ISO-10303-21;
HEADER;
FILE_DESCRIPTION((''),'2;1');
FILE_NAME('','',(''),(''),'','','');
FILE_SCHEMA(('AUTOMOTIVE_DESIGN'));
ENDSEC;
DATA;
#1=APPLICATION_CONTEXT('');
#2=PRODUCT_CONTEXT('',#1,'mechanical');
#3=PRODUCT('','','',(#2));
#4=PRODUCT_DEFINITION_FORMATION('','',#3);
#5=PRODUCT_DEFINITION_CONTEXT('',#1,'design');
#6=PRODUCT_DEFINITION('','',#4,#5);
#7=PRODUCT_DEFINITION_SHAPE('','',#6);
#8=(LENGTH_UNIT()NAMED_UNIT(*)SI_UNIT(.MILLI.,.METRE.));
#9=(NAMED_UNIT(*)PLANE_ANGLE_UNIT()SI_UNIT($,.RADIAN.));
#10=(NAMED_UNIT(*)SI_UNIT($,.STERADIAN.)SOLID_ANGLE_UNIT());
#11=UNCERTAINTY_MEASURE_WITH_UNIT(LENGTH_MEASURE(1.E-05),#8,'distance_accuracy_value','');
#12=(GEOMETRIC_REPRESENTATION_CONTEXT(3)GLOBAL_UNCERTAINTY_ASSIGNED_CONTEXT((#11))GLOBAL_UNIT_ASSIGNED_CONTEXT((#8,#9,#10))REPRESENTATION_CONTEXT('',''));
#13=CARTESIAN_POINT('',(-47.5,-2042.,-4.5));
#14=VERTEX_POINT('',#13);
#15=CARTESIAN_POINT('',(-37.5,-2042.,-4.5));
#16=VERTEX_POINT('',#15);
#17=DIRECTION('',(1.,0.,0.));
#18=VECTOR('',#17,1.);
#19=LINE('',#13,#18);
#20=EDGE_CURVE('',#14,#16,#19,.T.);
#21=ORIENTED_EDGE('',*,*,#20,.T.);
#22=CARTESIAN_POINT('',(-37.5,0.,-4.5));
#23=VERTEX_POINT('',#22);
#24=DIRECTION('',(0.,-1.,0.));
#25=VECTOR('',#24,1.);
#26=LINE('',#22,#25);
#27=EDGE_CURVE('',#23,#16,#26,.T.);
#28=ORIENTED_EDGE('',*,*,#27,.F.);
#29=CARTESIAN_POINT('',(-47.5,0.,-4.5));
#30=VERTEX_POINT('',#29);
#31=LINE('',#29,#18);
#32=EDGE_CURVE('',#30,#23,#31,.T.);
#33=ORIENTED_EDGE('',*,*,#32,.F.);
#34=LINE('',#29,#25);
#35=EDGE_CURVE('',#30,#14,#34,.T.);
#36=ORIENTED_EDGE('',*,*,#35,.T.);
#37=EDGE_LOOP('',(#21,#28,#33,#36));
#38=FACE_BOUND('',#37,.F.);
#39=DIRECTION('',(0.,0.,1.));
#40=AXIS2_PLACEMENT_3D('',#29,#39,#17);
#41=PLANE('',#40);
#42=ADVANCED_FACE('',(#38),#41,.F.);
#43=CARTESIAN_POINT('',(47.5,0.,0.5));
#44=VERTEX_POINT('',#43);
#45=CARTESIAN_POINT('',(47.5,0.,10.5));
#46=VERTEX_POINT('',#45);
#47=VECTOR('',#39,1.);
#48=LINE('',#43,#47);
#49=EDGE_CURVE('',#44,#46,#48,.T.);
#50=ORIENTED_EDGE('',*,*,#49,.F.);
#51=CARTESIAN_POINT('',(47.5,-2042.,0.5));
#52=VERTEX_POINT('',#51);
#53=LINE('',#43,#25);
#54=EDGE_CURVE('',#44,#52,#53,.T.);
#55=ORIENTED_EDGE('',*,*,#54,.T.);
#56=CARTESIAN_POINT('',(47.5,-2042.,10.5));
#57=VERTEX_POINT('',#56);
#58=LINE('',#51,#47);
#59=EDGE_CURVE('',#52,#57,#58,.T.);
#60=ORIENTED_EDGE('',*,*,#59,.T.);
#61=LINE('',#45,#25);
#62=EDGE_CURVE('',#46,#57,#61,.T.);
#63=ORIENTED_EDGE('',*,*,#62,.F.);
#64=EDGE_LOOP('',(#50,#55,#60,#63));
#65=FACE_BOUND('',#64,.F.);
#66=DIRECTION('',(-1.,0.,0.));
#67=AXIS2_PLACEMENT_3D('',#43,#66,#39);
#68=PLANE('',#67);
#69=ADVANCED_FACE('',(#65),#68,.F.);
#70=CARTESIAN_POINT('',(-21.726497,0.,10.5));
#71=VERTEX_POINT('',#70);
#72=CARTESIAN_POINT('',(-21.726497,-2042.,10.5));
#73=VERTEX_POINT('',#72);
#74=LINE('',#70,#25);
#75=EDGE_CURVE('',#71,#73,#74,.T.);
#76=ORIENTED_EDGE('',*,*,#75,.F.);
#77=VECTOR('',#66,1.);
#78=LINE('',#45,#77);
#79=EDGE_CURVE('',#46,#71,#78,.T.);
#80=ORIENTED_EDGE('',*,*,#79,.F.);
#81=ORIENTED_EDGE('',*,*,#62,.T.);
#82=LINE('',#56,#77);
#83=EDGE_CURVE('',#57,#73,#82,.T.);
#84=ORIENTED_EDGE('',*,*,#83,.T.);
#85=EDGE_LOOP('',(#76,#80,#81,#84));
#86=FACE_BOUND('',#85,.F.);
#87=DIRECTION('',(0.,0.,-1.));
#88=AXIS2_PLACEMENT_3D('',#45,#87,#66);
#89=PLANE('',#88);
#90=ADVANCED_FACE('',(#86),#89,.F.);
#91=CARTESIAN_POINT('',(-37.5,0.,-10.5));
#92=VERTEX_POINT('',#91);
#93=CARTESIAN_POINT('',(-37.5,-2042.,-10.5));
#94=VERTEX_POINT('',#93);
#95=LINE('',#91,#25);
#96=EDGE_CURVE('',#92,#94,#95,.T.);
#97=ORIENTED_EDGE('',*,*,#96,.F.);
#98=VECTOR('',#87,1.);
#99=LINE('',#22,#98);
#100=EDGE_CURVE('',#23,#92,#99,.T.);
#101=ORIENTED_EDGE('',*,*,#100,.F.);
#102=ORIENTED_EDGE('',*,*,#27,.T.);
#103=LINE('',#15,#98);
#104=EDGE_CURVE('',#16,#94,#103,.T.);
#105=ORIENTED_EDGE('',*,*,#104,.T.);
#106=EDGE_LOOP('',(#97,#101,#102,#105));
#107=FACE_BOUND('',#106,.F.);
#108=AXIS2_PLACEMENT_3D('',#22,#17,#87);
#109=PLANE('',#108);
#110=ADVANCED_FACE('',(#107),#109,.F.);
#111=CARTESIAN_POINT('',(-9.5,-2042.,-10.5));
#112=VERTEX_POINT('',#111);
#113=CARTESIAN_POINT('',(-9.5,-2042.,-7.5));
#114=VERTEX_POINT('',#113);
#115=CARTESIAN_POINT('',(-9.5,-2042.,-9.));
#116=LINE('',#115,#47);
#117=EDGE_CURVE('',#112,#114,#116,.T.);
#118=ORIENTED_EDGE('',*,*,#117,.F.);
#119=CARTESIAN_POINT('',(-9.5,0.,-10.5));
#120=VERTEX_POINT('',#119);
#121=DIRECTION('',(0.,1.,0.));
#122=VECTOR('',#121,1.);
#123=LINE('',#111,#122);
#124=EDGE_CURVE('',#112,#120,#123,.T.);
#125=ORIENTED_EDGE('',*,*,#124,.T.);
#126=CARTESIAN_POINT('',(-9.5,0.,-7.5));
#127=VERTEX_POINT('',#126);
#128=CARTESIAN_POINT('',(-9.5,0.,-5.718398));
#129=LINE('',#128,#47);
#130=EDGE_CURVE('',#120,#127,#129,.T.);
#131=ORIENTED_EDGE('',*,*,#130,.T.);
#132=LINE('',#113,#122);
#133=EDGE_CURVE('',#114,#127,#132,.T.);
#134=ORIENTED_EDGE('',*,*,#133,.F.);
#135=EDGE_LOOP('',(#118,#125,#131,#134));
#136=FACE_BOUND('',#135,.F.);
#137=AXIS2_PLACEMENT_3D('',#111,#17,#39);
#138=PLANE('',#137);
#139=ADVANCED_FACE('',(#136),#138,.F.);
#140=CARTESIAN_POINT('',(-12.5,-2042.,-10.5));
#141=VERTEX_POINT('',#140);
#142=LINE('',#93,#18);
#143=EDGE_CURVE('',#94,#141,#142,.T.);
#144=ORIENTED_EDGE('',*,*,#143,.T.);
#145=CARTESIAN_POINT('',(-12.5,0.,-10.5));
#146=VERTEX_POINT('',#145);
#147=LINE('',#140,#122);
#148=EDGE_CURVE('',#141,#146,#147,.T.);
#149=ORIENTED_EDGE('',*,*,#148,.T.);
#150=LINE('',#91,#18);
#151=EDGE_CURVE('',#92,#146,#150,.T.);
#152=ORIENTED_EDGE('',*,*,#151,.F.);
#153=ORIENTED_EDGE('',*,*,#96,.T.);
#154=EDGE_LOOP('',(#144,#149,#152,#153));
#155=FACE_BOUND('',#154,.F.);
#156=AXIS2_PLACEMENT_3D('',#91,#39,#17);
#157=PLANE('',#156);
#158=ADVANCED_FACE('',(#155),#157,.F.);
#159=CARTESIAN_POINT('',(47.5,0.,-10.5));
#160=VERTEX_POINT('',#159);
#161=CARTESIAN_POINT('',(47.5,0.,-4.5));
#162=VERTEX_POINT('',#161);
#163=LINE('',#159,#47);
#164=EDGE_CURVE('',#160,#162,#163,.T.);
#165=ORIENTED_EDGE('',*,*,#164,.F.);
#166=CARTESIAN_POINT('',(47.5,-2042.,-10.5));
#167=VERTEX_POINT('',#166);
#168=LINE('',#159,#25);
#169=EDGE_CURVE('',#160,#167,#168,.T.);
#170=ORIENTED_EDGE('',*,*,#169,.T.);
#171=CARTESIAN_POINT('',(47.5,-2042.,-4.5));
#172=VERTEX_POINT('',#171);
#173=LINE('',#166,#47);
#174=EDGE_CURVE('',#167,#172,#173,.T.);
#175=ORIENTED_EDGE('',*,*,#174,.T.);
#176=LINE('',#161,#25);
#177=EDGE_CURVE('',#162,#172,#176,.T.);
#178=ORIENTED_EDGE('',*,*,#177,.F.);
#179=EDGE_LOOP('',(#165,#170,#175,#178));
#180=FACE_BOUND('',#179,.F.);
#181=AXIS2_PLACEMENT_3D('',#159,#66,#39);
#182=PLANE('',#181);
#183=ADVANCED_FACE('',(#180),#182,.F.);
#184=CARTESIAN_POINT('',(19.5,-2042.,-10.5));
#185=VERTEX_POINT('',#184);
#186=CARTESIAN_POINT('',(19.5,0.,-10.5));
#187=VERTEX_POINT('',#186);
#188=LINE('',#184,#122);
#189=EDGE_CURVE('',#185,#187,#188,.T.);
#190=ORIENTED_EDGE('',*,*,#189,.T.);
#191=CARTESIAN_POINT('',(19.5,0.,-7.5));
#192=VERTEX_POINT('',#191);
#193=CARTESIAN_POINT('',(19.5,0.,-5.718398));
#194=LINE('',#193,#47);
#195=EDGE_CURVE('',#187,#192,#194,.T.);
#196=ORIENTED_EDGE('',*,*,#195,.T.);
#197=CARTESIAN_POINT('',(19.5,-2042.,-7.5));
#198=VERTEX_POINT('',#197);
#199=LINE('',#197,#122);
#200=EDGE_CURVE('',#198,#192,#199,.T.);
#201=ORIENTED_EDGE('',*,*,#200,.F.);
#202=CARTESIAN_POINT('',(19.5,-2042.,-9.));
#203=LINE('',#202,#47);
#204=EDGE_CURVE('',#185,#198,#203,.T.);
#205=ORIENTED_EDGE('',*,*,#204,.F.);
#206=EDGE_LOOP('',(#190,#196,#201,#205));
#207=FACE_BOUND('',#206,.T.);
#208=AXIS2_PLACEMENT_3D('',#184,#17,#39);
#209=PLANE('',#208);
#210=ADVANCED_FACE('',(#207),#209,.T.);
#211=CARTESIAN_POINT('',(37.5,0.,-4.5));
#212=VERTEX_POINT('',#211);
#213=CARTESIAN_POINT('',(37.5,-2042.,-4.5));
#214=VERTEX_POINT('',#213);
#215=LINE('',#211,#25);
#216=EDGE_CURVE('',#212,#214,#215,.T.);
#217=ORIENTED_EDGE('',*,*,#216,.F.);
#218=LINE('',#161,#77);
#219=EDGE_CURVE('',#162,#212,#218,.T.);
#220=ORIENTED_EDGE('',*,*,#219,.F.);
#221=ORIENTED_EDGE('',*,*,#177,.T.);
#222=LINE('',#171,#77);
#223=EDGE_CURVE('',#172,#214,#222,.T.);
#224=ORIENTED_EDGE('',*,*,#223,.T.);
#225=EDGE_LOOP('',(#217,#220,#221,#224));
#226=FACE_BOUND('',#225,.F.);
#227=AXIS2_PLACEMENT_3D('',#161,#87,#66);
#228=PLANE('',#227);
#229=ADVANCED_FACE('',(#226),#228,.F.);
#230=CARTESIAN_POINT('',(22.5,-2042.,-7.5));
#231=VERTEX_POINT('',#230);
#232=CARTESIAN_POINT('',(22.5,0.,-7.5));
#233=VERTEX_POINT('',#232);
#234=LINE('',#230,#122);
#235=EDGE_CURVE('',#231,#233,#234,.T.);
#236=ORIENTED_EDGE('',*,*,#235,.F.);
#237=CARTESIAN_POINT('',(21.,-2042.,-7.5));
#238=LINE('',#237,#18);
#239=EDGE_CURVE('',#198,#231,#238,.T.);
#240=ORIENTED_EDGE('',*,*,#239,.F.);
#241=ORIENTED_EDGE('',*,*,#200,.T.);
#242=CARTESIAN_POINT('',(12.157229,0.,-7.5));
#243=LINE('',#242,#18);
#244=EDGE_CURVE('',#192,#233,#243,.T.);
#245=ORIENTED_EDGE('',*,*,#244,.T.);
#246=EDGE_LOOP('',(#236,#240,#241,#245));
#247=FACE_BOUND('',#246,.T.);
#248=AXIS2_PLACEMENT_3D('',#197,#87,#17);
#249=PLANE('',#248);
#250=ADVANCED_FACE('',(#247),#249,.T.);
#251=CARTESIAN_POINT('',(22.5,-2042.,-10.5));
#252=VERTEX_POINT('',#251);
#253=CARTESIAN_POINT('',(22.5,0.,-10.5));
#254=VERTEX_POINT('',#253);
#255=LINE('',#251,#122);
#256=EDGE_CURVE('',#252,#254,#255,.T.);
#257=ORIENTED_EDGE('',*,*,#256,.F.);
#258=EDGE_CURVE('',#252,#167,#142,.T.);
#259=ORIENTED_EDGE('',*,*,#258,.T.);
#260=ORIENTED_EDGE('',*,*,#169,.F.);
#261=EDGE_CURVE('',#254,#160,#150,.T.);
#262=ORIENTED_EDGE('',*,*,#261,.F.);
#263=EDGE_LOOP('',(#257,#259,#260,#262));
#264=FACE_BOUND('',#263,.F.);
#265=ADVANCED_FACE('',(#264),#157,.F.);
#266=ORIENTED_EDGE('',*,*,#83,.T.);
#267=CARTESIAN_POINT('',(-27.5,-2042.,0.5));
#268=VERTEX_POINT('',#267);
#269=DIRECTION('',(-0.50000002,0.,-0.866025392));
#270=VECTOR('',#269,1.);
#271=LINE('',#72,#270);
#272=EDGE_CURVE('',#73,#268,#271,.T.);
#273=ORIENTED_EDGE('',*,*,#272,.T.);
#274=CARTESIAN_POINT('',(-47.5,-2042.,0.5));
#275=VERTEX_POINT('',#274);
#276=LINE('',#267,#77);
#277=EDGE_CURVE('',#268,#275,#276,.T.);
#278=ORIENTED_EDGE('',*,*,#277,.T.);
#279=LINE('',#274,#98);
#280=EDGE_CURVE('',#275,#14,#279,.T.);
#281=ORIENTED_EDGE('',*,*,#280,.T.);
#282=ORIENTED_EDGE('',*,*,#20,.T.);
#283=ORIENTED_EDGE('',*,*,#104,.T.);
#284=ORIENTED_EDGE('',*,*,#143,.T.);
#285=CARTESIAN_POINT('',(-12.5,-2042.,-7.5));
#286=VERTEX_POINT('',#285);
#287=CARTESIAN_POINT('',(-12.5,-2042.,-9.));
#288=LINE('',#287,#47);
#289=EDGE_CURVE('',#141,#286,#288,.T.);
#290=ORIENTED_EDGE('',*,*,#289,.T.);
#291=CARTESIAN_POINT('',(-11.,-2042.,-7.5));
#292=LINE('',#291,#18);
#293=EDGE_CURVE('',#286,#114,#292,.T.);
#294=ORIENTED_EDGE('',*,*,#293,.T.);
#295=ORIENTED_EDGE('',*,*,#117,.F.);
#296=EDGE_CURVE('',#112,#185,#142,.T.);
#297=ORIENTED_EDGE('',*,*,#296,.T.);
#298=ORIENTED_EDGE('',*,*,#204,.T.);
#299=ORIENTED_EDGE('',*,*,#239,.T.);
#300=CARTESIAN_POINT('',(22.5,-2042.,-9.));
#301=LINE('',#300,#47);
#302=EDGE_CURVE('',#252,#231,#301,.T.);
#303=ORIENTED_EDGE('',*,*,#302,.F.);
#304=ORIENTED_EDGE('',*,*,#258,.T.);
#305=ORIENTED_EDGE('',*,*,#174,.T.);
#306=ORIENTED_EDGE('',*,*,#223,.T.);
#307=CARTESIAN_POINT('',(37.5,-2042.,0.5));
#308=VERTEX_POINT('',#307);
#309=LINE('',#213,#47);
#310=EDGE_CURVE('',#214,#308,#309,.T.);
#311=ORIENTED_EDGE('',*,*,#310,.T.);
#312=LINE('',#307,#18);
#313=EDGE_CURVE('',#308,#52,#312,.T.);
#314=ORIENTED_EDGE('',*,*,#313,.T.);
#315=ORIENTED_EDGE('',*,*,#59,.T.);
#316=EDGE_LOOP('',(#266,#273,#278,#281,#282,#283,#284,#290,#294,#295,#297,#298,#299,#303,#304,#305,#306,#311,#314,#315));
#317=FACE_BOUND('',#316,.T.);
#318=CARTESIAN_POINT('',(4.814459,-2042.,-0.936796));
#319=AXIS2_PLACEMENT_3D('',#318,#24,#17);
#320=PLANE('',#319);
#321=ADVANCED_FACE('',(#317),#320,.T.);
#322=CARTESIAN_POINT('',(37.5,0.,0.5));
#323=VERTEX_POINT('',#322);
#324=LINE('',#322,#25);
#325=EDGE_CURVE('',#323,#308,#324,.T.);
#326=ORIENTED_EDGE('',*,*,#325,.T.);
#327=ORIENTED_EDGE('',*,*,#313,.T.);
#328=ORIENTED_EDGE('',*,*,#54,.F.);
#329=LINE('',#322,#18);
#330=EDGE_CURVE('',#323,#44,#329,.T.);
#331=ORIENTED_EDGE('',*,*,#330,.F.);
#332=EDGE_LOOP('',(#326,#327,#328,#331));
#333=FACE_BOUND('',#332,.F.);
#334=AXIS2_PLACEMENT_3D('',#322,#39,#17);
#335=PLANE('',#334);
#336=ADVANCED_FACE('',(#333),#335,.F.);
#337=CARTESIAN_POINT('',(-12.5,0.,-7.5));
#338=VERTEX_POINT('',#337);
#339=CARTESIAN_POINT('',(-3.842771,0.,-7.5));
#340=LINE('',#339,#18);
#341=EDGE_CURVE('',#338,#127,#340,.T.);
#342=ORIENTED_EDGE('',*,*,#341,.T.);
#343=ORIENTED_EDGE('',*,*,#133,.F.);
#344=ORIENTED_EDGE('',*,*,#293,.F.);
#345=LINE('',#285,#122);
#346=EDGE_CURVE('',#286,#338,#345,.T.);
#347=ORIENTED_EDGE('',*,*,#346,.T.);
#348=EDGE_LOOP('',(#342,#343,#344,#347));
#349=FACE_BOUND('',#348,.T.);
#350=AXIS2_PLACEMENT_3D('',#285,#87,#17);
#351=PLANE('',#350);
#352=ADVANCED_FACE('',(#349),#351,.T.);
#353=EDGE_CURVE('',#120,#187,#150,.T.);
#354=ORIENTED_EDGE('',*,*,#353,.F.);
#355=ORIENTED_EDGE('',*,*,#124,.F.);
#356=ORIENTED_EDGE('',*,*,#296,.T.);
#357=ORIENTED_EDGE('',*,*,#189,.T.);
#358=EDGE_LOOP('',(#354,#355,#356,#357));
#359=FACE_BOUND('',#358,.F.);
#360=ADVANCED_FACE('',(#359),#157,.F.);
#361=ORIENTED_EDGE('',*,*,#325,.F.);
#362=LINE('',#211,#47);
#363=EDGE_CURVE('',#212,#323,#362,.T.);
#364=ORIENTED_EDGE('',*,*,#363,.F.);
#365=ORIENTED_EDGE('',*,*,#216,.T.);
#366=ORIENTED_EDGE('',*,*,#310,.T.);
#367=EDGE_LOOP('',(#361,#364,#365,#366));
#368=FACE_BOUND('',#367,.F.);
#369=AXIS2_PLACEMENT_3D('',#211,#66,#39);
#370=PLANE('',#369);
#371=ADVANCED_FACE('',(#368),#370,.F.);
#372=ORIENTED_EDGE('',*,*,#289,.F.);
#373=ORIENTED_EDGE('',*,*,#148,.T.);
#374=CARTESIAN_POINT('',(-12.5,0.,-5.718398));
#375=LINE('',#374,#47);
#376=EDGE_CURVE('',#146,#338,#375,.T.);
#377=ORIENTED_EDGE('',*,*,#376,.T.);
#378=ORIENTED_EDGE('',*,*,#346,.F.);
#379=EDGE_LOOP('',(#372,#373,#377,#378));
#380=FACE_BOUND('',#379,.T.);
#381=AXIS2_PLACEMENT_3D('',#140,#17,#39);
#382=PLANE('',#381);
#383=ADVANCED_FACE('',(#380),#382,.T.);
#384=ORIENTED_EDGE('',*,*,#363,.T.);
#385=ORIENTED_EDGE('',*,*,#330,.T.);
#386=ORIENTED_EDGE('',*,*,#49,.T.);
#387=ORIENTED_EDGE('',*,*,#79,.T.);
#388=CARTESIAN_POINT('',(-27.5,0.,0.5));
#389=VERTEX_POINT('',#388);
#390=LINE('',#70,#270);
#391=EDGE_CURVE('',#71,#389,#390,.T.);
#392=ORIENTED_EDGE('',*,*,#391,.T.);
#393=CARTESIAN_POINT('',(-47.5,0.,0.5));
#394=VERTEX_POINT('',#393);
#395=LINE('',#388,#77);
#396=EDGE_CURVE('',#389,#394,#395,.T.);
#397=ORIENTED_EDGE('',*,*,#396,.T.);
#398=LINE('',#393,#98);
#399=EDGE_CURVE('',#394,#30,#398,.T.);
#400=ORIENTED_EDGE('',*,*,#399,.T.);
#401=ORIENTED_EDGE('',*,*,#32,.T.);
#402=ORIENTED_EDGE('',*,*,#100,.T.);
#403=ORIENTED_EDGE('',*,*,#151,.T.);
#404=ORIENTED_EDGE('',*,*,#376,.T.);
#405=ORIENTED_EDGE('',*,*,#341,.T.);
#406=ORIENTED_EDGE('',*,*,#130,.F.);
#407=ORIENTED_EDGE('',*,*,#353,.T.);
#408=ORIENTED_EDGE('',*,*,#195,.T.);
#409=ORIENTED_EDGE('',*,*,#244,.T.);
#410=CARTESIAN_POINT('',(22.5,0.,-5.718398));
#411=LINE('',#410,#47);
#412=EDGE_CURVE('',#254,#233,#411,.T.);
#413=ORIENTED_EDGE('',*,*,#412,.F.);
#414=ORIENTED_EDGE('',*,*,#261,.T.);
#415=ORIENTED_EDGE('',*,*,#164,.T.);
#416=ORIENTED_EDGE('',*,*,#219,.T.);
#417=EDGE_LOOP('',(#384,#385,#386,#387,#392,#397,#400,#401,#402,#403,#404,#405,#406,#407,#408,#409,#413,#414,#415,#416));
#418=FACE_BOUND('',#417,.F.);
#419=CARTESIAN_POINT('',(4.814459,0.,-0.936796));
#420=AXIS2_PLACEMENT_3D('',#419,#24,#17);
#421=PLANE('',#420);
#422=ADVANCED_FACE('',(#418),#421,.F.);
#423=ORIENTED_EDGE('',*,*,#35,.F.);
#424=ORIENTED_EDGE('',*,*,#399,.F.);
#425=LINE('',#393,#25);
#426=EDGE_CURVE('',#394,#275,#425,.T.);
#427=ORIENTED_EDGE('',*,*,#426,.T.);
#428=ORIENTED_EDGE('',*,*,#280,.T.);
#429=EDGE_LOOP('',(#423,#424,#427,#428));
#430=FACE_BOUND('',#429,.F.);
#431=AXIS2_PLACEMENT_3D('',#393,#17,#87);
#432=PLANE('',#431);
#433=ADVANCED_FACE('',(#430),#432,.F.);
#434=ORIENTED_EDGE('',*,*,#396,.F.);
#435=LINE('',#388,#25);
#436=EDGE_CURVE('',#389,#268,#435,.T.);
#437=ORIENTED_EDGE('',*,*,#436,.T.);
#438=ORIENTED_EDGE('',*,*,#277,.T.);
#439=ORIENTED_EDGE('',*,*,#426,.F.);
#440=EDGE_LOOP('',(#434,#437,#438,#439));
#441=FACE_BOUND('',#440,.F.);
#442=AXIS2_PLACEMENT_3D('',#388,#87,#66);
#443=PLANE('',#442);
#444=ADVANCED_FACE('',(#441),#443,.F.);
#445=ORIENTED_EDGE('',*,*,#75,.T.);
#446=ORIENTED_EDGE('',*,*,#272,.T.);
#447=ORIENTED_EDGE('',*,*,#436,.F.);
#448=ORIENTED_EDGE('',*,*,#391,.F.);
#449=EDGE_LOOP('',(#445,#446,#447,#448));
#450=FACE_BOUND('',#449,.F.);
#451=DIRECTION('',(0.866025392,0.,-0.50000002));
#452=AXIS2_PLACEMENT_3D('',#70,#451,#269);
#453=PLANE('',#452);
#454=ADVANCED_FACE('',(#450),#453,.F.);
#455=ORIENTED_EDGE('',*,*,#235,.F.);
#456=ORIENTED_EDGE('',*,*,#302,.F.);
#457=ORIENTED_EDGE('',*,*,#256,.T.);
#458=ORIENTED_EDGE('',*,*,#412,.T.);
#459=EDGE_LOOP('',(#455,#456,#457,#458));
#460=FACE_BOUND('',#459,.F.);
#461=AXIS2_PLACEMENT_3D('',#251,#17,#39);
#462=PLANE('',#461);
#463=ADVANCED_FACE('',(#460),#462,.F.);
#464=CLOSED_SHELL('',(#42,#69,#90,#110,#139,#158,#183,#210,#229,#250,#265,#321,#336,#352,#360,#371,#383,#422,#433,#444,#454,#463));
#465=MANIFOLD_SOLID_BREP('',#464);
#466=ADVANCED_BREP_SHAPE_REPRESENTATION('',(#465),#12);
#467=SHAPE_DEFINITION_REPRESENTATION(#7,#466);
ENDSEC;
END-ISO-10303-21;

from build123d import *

# Parameters (mm, degrees)
F1_DEPTH = 2042
F2_W     = 3
F2_H     = 3
F3_DEPTH = 2042.001


with BuildPart() as f1:
    # F0 (on Front) → F1 (new body)
    with BuildSketch(Plane.XZ):
        Polygon((47.5, 10.5), (-21.726497, 10.5), (-27.5, 0.5), (-47.5, 0.5), (-47.5, -4.5), (-37.5, -4.5), (-37.5, -10.5), (47.5, -10.5), (47.5, -4.5), (37.5, -4.5), (37.5, 0.5), (47.5, 0.5), align=None)
    extrude(amount=F1_DEPTH)

    # F2 (on face) → F3 (cut, through all)
    with BuildSketch(Plane.XZ.offset(2042)):
        with Locations((-11, -9)):
            Rectangle(F2_W, F2_H)
        with Locations((21, -9)):
            Rectangle(F2_W, F2_H)
    extrude(amount=-F3_DEPTH, mode=Mode.SUBTRACT)


solid = f1.part
